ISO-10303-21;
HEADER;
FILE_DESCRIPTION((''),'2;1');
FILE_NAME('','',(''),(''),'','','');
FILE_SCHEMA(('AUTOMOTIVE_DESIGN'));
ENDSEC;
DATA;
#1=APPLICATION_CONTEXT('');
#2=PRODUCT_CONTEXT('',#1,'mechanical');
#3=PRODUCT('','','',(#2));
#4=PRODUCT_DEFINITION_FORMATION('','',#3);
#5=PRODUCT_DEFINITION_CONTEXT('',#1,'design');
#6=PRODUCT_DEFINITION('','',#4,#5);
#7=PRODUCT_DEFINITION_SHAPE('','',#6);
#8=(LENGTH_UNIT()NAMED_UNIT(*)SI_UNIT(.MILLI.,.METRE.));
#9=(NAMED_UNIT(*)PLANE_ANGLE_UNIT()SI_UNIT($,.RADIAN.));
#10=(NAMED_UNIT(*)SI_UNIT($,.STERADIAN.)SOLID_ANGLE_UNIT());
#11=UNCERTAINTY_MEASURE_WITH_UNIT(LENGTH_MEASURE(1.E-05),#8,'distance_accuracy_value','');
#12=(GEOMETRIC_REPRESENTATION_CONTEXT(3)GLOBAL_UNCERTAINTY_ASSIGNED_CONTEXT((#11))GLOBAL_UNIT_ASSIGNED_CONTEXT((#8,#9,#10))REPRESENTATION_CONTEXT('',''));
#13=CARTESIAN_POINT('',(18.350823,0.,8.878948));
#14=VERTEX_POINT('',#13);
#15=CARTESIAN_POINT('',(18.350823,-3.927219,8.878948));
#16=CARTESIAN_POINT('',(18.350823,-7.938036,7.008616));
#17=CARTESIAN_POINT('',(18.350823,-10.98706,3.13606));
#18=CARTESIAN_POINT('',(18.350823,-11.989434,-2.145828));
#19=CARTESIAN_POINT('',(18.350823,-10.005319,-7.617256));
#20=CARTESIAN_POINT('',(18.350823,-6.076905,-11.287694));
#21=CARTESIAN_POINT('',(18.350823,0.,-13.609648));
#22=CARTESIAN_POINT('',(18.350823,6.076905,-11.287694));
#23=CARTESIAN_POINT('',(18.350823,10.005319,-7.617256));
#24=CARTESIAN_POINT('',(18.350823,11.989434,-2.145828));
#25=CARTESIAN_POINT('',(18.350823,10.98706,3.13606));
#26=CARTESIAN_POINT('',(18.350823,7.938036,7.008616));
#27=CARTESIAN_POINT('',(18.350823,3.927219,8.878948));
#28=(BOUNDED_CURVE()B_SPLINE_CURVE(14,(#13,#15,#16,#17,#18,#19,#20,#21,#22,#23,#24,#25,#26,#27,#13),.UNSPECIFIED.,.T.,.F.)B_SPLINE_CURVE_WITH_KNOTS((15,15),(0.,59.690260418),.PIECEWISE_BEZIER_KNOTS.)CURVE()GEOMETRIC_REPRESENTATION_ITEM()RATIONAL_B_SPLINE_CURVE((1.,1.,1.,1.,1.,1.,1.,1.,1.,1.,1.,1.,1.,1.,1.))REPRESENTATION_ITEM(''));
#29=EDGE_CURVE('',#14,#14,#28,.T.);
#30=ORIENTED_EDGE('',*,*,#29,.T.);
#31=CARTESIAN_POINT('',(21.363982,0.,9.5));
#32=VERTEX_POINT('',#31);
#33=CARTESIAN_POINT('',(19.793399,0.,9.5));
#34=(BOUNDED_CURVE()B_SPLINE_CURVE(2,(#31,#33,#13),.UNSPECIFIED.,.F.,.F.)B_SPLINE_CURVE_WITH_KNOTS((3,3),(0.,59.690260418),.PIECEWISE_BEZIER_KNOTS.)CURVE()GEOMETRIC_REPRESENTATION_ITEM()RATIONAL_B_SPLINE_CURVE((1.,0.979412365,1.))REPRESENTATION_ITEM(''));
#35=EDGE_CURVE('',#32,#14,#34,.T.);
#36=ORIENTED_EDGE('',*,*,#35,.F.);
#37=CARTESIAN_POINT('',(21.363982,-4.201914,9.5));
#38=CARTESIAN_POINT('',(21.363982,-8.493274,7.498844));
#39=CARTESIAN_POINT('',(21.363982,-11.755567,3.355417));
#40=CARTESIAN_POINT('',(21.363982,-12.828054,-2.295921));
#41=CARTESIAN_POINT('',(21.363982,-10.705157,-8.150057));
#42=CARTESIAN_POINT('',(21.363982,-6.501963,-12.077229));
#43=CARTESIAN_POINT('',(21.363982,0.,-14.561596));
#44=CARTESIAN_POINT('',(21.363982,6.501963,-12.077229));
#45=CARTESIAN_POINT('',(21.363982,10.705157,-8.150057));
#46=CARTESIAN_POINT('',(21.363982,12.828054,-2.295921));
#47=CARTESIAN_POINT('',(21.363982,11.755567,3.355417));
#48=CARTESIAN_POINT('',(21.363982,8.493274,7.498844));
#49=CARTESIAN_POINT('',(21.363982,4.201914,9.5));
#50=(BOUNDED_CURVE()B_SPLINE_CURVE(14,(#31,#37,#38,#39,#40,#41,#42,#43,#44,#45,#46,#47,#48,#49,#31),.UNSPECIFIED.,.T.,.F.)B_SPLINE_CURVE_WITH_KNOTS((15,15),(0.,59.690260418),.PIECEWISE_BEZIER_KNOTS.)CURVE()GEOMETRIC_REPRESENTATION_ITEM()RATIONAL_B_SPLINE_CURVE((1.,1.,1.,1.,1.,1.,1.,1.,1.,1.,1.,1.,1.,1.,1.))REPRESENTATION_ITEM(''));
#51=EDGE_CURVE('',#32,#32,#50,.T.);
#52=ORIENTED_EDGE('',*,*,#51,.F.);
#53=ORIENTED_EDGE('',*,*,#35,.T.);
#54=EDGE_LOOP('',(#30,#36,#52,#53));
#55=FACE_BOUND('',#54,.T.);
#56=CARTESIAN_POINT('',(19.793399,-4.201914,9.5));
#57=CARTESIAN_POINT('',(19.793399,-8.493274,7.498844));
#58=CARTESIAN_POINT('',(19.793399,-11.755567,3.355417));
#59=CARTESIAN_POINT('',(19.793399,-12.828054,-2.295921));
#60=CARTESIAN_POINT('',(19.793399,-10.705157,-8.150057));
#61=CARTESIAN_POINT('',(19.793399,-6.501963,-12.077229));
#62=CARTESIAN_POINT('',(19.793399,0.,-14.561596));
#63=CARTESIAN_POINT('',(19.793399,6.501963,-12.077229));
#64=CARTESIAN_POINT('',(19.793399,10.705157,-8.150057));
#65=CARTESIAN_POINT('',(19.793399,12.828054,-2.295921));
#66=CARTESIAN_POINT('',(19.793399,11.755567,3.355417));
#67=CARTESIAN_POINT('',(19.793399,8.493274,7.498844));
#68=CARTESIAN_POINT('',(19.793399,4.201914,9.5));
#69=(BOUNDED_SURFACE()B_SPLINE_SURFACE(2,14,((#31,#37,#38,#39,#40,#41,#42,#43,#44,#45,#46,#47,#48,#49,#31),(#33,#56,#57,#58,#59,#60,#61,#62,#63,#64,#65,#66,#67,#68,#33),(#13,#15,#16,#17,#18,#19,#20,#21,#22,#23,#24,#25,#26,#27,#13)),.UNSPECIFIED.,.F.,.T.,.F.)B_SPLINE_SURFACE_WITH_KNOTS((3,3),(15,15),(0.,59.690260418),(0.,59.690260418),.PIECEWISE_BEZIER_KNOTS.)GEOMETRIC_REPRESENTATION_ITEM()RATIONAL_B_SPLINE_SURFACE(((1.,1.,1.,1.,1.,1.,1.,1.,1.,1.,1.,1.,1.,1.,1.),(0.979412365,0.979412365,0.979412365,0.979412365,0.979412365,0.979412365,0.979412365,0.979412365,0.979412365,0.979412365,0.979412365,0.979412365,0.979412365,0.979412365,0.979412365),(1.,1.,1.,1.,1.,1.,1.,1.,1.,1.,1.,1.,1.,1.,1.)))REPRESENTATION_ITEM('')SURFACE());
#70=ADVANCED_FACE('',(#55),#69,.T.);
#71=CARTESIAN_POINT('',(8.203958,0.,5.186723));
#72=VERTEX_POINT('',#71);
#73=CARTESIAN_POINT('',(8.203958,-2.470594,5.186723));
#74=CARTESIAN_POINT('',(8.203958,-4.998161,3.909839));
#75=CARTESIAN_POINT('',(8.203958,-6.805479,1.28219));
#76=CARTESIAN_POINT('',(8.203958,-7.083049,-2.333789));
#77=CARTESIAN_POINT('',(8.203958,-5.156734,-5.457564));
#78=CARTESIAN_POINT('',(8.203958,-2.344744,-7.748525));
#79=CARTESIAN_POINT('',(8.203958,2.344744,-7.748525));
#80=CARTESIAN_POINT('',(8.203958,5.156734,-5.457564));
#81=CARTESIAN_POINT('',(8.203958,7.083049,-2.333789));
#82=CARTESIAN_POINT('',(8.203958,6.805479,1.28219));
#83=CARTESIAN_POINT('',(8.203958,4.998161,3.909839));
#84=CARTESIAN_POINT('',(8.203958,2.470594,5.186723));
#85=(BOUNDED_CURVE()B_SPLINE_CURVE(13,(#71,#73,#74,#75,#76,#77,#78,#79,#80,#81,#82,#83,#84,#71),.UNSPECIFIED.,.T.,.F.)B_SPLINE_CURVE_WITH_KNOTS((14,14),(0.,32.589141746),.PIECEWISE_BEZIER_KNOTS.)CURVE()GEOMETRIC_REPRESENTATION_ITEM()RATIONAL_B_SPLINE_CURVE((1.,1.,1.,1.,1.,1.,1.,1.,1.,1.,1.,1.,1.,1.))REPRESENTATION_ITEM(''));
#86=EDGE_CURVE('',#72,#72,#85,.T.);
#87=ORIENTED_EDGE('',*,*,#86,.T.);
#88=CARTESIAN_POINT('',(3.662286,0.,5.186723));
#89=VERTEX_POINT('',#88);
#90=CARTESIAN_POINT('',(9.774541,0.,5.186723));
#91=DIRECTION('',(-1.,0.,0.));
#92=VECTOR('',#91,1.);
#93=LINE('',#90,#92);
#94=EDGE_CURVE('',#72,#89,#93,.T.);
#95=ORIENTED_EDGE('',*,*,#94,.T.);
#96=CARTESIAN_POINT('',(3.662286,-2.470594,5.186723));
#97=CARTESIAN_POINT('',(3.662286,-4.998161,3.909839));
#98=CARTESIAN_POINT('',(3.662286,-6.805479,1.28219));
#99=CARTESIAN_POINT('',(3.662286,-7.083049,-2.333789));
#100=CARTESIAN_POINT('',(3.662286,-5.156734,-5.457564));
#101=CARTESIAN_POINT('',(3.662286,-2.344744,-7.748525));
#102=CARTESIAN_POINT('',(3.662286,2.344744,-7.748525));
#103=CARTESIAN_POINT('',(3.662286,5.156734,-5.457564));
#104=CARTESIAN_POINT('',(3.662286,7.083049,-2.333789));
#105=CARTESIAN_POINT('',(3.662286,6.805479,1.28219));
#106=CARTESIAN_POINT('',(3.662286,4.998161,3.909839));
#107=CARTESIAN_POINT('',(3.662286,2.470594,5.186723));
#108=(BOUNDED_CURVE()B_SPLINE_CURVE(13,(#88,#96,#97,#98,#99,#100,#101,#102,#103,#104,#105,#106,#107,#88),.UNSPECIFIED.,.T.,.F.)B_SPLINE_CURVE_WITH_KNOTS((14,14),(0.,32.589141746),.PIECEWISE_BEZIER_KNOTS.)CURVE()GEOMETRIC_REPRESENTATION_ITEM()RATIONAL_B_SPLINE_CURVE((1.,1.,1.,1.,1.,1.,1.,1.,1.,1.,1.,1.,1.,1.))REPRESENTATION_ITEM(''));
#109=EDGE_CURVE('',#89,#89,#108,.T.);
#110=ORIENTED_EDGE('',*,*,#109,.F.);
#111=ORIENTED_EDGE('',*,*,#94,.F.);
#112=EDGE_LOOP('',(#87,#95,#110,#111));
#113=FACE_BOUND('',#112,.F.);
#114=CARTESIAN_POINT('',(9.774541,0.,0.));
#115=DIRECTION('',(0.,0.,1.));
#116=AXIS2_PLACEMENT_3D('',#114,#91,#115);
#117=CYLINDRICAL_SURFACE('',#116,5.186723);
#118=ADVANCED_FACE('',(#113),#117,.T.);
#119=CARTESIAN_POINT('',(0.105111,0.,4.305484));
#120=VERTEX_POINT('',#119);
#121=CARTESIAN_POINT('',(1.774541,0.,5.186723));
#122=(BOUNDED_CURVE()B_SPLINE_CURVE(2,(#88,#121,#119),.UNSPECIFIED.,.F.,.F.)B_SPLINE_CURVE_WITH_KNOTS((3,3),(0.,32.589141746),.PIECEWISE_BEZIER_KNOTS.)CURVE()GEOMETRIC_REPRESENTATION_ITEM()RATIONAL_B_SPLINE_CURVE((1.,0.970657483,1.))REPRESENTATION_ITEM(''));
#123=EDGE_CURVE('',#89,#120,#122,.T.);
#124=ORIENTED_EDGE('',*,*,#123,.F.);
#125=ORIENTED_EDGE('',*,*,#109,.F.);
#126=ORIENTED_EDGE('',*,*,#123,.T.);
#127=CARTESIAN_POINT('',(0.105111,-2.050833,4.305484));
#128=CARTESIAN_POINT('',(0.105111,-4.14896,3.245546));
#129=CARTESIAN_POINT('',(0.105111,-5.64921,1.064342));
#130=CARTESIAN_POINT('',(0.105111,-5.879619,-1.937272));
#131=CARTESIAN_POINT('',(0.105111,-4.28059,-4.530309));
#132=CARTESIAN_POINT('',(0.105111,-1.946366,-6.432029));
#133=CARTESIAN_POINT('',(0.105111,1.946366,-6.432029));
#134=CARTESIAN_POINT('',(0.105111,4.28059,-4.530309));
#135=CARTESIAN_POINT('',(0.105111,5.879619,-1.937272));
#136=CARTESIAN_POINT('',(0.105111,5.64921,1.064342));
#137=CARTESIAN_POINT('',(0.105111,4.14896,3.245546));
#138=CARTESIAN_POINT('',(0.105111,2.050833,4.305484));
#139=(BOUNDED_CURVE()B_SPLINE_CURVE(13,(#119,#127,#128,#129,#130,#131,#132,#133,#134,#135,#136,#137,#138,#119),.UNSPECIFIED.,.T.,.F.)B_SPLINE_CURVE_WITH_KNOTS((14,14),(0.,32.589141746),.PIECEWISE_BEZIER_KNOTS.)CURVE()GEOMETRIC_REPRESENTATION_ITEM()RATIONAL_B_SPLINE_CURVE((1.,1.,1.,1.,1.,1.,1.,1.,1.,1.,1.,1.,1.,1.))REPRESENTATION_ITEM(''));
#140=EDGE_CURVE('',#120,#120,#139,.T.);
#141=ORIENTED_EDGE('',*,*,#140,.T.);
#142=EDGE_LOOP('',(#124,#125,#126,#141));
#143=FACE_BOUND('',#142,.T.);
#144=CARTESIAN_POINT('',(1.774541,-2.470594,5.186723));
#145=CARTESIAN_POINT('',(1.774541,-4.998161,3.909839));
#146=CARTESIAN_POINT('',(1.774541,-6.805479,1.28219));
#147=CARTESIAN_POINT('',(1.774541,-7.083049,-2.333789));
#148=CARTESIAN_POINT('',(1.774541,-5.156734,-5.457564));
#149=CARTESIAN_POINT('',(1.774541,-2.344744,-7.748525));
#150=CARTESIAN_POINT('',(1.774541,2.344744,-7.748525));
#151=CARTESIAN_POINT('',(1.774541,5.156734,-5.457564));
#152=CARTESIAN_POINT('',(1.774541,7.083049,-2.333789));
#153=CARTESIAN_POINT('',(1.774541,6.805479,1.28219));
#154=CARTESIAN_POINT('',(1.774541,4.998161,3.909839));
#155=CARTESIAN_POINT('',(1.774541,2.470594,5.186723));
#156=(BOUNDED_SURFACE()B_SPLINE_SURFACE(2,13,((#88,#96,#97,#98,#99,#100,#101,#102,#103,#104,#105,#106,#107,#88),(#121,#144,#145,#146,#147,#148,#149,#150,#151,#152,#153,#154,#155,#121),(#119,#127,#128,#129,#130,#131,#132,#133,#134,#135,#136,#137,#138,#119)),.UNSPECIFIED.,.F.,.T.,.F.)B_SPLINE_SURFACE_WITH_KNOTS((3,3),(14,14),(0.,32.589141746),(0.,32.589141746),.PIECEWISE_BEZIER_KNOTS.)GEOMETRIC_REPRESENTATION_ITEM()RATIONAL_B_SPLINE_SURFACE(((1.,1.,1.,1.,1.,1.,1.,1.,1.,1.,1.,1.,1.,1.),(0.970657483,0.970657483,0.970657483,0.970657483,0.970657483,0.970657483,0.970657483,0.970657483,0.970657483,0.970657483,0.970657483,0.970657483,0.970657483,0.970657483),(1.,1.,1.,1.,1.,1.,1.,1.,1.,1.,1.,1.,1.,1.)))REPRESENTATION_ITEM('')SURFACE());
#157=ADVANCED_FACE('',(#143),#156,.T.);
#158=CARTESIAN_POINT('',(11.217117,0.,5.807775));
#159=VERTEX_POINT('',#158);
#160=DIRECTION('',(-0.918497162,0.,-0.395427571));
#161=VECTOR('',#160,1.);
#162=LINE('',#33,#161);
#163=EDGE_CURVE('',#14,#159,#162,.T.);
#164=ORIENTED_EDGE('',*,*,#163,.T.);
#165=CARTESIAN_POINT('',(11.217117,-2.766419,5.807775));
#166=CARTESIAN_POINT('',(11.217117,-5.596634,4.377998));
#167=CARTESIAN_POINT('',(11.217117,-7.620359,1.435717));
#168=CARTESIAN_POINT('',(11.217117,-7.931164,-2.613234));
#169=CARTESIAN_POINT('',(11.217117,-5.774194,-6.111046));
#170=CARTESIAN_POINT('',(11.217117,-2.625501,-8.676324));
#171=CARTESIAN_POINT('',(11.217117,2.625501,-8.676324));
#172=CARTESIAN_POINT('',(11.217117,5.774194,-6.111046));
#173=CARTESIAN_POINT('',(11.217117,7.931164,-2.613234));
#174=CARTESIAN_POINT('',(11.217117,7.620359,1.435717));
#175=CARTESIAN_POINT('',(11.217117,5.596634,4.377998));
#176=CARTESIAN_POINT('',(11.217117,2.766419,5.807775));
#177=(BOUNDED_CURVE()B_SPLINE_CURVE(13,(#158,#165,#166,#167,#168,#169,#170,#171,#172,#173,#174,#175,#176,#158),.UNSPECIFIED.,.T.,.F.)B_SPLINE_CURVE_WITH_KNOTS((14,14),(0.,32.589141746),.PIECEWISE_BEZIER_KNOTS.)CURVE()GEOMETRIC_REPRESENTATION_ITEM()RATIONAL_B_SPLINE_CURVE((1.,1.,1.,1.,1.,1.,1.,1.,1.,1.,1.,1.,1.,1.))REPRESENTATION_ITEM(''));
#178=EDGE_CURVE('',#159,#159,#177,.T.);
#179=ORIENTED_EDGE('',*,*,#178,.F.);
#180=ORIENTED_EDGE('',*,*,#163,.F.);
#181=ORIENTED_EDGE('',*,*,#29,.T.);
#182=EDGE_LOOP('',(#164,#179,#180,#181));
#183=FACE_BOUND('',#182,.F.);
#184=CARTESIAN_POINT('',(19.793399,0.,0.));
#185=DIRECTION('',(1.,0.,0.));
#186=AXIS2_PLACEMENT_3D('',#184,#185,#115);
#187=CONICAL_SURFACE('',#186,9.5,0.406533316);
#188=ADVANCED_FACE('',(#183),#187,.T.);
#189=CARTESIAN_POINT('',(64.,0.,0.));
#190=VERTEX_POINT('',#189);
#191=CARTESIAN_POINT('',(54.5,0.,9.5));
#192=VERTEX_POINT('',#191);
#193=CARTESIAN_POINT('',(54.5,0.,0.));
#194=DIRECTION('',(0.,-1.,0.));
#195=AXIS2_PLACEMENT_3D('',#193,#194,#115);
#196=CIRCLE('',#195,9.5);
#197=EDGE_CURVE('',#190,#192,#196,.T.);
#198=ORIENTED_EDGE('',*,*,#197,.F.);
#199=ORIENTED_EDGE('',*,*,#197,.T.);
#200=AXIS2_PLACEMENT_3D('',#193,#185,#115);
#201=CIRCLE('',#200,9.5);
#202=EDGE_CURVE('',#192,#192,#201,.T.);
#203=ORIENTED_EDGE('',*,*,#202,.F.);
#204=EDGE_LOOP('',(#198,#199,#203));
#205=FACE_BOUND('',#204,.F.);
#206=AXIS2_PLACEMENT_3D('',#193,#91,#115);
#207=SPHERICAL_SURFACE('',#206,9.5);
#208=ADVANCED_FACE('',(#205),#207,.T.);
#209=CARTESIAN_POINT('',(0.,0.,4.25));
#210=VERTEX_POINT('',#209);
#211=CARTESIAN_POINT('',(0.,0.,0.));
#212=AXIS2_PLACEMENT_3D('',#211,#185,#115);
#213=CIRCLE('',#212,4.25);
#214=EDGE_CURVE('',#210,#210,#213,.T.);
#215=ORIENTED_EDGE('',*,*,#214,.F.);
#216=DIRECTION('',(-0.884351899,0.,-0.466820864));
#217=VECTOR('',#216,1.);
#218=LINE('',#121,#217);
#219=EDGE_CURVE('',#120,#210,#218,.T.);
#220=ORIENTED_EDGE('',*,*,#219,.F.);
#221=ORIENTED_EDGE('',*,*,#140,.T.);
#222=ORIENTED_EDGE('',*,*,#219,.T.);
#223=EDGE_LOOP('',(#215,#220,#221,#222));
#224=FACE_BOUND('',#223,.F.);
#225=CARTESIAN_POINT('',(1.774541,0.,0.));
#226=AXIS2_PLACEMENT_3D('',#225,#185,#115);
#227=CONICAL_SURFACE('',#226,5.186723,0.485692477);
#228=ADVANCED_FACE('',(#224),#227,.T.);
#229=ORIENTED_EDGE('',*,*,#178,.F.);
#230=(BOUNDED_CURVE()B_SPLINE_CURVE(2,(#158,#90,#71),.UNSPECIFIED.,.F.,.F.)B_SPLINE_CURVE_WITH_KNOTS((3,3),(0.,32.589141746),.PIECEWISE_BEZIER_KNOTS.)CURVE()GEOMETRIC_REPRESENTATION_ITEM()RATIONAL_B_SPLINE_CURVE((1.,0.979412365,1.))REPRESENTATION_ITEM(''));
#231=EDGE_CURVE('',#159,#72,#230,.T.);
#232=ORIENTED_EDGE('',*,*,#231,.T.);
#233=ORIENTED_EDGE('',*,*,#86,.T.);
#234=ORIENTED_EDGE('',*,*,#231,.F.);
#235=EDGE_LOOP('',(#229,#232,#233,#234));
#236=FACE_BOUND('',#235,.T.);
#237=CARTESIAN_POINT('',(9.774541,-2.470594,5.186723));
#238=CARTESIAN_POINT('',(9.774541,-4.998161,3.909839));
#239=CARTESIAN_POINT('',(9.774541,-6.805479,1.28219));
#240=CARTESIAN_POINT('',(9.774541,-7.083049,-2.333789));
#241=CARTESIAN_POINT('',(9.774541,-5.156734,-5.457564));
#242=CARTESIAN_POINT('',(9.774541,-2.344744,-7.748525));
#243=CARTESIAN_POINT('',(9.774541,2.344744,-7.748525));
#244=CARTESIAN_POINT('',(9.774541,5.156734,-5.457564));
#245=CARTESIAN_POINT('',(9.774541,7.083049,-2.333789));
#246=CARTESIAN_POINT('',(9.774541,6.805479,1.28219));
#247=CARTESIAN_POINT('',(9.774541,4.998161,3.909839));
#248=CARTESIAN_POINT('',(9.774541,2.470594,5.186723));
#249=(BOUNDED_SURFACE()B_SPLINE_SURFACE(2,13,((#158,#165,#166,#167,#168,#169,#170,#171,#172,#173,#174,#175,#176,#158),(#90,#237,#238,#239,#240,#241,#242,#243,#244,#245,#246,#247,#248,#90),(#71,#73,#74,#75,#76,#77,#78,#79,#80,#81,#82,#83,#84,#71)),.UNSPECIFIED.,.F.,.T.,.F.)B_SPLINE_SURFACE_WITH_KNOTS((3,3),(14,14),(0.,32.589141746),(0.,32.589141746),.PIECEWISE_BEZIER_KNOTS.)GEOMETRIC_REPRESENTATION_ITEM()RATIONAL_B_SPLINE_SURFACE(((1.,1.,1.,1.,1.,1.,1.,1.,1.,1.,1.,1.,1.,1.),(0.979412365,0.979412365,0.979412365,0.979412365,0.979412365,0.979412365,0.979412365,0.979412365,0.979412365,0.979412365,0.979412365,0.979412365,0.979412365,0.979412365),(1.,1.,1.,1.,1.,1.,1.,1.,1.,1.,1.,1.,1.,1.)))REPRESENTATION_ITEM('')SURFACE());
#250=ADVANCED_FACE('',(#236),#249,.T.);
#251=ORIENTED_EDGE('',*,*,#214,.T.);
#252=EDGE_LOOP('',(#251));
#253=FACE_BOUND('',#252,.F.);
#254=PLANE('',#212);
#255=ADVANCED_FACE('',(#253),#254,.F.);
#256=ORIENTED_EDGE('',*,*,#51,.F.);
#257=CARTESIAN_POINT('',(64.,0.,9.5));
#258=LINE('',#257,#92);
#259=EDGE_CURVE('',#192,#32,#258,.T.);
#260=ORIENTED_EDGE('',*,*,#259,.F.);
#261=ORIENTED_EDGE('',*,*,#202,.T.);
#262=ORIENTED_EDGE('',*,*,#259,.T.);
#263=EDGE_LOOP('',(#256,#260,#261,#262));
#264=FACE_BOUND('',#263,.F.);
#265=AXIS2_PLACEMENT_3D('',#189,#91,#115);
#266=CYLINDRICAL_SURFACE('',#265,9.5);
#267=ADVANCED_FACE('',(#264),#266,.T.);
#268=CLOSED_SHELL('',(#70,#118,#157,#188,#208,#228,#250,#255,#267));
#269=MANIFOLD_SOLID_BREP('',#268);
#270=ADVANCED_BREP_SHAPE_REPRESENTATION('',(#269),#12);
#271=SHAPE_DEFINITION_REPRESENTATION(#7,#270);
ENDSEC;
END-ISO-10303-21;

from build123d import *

# Parameters (mm, degrees)
F2_R = 9.5
F3_R = 7.62


with BuildPart() as f1:
    # F0 (on Front) → F1 (revolve)
    with BuildSketch(Plane.XZ):
        Polygon((0, 4.25), (0, 0), (64, 0), (64, 9.5), (19.793399, 9.5), (9.774541, 5.186723), (1.774541, 5.186723), align=None)
    revolve(axis=Axis((32, 0, 0), (1, 0, 0)))

    # F2
    f2_edges = [f1.edges().sort_by_distance(p)[0] for p in [
        (64, 0, -9.5),
    ]]
    fillet(f2_edges, radius=F2_R)

    # F3
    f3_edges = [f1.edges().sort_by_distance(p)[0] for p in [
        (19.793399, 0, -9.5),
        (1.774541, 0, -5.186723),
        (9.774541, 0, -5.186723),
    ]]
    fillet(f3_edges, radius=F3_R)


solid = f1.part
